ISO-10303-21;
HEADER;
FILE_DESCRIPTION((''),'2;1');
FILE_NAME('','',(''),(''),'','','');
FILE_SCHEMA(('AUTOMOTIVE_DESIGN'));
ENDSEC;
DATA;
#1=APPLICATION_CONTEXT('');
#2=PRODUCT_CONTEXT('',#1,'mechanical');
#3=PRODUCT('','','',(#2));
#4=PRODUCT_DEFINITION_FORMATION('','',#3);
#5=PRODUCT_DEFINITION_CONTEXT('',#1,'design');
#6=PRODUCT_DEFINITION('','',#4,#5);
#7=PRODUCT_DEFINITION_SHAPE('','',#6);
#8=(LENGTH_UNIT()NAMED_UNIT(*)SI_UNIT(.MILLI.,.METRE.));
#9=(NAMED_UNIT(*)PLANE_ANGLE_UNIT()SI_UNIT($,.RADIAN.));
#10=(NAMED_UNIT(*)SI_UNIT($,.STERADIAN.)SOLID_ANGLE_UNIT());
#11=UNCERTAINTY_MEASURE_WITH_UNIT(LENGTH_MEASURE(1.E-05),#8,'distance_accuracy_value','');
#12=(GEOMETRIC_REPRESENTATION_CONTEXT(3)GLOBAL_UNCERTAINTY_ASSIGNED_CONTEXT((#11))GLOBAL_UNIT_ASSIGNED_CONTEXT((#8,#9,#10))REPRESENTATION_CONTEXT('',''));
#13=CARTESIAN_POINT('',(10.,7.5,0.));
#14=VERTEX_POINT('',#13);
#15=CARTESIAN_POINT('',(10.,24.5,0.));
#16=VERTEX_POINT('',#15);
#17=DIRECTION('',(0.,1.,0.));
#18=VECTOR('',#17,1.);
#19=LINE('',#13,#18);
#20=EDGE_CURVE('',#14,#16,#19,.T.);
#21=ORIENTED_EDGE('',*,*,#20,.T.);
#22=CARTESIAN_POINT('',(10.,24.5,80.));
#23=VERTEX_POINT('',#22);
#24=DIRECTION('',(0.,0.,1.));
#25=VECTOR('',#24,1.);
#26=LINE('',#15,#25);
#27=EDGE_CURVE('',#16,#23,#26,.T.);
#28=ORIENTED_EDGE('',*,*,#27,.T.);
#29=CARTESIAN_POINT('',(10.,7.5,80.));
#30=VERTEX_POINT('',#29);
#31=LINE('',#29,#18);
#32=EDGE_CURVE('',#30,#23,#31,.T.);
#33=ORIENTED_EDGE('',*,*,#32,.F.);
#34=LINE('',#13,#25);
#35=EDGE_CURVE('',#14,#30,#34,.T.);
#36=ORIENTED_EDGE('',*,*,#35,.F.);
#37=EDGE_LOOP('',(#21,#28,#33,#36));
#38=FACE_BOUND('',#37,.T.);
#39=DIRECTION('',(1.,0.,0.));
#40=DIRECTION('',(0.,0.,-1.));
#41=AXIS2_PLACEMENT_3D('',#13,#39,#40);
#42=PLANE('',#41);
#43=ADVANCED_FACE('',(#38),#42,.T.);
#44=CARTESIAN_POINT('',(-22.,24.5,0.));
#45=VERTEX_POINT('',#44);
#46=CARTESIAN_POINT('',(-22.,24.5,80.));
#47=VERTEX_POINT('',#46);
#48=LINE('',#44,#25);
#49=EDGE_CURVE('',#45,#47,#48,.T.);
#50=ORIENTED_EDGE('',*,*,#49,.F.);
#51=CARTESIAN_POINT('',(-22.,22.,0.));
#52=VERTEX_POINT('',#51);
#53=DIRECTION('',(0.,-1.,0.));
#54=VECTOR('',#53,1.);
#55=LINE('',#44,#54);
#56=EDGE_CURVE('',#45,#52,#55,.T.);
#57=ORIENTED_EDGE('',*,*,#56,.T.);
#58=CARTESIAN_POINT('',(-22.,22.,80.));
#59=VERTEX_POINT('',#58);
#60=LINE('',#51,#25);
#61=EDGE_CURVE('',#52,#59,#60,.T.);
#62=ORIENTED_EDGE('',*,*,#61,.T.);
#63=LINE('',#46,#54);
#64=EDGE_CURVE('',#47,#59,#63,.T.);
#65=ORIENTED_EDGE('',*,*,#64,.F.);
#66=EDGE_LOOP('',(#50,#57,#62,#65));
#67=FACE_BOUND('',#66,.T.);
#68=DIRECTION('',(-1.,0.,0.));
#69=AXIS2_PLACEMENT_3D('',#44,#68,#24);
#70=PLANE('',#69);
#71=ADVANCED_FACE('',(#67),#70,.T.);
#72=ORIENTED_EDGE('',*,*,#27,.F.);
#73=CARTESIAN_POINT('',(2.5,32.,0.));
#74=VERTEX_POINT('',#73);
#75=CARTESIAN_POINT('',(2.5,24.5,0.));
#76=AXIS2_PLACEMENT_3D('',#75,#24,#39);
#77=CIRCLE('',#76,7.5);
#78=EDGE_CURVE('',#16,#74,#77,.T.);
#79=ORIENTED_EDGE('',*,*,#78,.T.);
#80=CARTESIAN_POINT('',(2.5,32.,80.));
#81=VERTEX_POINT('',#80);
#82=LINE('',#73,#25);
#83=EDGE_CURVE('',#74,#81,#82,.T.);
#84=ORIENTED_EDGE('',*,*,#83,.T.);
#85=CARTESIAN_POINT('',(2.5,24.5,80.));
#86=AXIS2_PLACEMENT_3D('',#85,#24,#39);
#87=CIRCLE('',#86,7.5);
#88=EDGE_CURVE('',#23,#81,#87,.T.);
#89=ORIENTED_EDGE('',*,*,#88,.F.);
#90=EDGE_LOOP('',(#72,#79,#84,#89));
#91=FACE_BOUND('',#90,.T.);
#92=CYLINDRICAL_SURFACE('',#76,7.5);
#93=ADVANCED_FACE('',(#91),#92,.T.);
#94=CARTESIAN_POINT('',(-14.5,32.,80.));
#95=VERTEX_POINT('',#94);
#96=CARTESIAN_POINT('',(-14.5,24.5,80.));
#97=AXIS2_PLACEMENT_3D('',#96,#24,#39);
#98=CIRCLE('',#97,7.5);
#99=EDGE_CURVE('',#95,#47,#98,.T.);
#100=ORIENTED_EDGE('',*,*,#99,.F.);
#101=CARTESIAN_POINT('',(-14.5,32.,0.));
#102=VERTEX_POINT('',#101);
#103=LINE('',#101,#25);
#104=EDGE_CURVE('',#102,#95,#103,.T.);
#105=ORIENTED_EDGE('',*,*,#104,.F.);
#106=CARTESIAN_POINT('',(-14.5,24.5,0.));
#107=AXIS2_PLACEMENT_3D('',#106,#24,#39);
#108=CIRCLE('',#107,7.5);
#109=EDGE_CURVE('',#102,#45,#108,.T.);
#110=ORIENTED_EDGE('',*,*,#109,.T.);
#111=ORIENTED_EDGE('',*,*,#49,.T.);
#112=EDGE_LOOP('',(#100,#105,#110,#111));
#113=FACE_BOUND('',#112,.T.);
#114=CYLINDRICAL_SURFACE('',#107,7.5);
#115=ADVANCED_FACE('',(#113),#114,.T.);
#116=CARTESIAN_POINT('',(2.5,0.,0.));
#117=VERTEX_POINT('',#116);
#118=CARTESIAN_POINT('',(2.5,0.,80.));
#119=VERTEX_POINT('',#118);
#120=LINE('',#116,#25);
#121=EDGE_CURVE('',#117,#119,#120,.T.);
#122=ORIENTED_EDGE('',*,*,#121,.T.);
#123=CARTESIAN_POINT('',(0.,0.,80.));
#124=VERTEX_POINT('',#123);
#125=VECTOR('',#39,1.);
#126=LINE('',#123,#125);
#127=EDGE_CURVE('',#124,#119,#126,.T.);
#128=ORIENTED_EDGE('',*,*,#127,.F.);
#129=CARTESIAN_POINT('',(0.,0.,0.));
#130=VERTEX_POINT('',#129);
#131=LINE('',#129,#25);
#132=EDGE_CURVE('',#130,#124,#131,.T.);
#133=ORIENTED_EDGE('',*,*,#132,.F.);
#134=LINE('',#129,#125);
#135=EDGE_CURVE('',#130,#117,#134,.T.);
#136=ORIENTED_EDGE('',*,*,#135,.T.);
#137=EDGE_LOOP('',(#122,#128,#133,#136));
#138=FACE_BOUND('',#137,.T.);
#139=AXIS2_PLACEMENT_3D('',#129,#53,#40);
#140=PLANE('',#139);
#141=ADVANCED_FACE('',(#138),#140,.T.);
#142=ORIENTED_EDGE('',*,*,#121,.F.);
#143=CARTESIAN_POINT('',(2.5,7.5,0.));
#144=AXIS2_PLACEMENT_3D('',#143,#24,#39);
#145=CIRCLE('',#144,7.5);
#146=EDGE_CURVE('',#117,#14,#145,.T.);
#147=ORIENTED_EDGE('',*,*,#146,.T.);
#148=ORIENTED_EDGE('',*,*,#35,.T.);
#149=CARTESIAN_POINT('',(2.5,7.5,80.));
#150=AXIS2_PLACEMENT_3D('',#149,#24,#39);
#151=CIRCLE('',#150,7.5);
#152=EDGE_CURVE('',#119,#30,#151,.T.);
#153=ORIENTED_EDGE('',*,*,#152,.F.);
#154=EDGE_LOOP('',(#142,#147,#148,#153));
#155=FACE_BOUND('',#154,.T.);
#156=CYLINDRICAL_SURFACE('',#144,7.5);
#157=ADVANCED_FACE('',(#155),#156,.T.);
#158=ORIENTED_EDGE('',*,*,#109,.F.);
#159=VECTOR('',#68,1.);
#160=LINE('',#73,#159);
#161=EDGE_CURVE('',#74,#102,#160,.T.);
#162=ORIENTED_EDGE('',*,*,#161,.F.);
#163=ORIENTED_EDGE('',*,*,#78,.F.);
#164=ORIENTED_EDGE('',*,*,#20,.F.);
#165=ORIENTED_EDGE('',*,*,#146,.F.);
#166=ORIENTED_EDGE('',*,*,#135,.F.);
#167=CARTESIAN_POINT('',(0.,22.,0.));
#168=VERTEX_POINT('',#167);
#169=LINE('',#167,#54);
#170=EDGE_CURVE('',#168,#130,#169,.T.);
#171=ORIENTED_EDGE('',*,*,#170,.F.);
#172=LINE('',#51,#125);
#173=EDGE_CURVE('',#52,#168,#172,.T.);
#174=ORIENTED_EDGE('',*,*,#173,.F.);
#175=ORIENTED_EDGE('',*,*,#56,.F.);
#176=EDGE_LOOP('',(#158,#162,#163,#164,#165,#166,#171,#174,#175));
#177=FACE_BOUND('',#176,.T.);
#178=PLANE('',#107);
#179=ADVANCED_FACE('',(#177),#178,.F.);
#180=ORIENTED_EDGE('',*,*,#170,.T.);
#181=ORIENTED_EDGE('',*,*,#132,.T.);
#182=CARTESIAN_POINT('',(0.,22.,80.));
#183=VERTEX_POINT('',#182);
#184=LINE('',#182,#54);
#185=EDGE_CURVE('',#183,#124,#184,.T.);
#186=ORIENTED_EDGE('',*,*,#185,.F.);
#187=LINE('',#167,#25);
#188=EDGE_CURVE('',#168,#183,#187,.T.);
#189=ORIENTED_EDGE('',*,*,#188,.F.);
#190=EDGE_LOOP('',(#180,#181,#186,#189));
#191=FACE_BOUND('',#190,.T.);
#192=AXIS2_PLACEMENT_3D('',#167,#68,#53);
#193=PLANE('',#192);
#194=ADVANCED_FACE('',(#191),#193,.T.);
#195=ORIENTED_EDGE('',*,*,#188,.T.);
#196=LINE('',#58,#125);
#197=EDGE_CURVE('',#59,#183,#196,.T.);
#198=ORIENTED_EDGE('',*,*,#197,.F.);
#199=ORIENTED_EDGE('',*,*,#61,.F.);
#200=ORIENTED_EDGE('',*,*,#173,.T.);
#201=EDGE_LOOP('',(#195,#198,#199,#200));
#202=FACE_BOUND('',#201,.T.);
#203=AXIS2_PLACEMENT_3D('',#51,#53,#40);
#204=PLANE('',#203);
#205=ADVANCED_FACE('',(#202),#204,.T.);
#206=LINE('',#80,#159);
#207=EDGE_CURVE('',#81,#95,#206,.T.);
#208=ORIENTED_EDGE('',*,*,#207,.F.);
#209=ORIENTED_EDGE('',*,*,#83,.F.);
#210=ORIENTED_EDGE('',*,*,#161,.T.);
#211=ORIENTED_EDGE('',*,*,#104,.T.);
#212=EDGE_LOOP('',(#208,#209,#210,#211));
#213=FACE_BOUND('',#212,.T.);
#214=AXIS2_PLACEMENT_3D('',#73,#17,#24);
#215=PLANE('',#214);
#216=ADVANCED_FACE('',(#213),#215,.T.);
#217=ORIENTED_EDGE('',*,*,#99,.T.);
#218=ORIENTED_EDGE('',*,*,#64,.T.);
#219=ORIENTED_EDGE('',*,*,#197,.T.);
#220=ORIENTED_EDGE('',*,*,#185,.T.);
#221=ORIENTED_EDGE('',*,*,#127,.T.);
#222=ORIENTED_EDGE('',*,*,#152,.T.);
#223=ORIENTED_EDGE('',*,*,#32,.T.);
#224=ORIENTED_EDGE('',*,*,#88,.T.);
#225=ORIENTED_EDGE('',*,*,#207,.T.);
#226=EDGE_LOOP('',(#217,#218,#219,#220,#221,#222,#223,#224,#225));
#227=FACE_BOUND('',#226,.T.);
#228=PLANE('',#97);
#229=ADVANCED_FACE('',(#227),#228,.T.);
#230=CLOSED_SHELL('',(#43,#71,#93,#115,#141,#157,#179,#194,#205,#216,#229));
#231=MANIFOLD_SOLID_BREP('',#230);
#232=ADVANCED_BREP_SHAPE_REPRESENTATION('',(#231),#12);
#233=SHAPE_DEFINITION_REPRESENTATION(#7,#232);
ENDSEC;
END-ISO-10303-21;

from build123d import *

# Parameters (mm, degrees)
BOSS_EXTRUDE1_DEPTH = 80


with BuildPart() as part:
    # Sketch1 → Boss-Extrude1 (new body)
    with BuildSketch(Plane.XY.offset(80)):
        with BuildLine():
            Line((-22, 24.5), (-22, 22))
            Line((-22, 22), (0, 22))
            Line((0, 22), (0, 0))
            Line((0, 0), (2.5, 0))
            ThreePointArc((2.5, 0), (7.803300859, 2.196699141), (10, 7.5))
            Line((10, 7.5), (10, 24.5))
            ThreePointArc((10, 24.5), (7.803300859, 29.803300859), (2.5, 32))
            Line((2.5, 32), (-14.5, 32))
            ThreePointArc((-14.5, 32), (-19.803300859, 29.803300859), (-22, 24.5))
        make_face()
    extrude(amount=-BOSS_EXTRUDE1_DEPTH)


solid = part.part
